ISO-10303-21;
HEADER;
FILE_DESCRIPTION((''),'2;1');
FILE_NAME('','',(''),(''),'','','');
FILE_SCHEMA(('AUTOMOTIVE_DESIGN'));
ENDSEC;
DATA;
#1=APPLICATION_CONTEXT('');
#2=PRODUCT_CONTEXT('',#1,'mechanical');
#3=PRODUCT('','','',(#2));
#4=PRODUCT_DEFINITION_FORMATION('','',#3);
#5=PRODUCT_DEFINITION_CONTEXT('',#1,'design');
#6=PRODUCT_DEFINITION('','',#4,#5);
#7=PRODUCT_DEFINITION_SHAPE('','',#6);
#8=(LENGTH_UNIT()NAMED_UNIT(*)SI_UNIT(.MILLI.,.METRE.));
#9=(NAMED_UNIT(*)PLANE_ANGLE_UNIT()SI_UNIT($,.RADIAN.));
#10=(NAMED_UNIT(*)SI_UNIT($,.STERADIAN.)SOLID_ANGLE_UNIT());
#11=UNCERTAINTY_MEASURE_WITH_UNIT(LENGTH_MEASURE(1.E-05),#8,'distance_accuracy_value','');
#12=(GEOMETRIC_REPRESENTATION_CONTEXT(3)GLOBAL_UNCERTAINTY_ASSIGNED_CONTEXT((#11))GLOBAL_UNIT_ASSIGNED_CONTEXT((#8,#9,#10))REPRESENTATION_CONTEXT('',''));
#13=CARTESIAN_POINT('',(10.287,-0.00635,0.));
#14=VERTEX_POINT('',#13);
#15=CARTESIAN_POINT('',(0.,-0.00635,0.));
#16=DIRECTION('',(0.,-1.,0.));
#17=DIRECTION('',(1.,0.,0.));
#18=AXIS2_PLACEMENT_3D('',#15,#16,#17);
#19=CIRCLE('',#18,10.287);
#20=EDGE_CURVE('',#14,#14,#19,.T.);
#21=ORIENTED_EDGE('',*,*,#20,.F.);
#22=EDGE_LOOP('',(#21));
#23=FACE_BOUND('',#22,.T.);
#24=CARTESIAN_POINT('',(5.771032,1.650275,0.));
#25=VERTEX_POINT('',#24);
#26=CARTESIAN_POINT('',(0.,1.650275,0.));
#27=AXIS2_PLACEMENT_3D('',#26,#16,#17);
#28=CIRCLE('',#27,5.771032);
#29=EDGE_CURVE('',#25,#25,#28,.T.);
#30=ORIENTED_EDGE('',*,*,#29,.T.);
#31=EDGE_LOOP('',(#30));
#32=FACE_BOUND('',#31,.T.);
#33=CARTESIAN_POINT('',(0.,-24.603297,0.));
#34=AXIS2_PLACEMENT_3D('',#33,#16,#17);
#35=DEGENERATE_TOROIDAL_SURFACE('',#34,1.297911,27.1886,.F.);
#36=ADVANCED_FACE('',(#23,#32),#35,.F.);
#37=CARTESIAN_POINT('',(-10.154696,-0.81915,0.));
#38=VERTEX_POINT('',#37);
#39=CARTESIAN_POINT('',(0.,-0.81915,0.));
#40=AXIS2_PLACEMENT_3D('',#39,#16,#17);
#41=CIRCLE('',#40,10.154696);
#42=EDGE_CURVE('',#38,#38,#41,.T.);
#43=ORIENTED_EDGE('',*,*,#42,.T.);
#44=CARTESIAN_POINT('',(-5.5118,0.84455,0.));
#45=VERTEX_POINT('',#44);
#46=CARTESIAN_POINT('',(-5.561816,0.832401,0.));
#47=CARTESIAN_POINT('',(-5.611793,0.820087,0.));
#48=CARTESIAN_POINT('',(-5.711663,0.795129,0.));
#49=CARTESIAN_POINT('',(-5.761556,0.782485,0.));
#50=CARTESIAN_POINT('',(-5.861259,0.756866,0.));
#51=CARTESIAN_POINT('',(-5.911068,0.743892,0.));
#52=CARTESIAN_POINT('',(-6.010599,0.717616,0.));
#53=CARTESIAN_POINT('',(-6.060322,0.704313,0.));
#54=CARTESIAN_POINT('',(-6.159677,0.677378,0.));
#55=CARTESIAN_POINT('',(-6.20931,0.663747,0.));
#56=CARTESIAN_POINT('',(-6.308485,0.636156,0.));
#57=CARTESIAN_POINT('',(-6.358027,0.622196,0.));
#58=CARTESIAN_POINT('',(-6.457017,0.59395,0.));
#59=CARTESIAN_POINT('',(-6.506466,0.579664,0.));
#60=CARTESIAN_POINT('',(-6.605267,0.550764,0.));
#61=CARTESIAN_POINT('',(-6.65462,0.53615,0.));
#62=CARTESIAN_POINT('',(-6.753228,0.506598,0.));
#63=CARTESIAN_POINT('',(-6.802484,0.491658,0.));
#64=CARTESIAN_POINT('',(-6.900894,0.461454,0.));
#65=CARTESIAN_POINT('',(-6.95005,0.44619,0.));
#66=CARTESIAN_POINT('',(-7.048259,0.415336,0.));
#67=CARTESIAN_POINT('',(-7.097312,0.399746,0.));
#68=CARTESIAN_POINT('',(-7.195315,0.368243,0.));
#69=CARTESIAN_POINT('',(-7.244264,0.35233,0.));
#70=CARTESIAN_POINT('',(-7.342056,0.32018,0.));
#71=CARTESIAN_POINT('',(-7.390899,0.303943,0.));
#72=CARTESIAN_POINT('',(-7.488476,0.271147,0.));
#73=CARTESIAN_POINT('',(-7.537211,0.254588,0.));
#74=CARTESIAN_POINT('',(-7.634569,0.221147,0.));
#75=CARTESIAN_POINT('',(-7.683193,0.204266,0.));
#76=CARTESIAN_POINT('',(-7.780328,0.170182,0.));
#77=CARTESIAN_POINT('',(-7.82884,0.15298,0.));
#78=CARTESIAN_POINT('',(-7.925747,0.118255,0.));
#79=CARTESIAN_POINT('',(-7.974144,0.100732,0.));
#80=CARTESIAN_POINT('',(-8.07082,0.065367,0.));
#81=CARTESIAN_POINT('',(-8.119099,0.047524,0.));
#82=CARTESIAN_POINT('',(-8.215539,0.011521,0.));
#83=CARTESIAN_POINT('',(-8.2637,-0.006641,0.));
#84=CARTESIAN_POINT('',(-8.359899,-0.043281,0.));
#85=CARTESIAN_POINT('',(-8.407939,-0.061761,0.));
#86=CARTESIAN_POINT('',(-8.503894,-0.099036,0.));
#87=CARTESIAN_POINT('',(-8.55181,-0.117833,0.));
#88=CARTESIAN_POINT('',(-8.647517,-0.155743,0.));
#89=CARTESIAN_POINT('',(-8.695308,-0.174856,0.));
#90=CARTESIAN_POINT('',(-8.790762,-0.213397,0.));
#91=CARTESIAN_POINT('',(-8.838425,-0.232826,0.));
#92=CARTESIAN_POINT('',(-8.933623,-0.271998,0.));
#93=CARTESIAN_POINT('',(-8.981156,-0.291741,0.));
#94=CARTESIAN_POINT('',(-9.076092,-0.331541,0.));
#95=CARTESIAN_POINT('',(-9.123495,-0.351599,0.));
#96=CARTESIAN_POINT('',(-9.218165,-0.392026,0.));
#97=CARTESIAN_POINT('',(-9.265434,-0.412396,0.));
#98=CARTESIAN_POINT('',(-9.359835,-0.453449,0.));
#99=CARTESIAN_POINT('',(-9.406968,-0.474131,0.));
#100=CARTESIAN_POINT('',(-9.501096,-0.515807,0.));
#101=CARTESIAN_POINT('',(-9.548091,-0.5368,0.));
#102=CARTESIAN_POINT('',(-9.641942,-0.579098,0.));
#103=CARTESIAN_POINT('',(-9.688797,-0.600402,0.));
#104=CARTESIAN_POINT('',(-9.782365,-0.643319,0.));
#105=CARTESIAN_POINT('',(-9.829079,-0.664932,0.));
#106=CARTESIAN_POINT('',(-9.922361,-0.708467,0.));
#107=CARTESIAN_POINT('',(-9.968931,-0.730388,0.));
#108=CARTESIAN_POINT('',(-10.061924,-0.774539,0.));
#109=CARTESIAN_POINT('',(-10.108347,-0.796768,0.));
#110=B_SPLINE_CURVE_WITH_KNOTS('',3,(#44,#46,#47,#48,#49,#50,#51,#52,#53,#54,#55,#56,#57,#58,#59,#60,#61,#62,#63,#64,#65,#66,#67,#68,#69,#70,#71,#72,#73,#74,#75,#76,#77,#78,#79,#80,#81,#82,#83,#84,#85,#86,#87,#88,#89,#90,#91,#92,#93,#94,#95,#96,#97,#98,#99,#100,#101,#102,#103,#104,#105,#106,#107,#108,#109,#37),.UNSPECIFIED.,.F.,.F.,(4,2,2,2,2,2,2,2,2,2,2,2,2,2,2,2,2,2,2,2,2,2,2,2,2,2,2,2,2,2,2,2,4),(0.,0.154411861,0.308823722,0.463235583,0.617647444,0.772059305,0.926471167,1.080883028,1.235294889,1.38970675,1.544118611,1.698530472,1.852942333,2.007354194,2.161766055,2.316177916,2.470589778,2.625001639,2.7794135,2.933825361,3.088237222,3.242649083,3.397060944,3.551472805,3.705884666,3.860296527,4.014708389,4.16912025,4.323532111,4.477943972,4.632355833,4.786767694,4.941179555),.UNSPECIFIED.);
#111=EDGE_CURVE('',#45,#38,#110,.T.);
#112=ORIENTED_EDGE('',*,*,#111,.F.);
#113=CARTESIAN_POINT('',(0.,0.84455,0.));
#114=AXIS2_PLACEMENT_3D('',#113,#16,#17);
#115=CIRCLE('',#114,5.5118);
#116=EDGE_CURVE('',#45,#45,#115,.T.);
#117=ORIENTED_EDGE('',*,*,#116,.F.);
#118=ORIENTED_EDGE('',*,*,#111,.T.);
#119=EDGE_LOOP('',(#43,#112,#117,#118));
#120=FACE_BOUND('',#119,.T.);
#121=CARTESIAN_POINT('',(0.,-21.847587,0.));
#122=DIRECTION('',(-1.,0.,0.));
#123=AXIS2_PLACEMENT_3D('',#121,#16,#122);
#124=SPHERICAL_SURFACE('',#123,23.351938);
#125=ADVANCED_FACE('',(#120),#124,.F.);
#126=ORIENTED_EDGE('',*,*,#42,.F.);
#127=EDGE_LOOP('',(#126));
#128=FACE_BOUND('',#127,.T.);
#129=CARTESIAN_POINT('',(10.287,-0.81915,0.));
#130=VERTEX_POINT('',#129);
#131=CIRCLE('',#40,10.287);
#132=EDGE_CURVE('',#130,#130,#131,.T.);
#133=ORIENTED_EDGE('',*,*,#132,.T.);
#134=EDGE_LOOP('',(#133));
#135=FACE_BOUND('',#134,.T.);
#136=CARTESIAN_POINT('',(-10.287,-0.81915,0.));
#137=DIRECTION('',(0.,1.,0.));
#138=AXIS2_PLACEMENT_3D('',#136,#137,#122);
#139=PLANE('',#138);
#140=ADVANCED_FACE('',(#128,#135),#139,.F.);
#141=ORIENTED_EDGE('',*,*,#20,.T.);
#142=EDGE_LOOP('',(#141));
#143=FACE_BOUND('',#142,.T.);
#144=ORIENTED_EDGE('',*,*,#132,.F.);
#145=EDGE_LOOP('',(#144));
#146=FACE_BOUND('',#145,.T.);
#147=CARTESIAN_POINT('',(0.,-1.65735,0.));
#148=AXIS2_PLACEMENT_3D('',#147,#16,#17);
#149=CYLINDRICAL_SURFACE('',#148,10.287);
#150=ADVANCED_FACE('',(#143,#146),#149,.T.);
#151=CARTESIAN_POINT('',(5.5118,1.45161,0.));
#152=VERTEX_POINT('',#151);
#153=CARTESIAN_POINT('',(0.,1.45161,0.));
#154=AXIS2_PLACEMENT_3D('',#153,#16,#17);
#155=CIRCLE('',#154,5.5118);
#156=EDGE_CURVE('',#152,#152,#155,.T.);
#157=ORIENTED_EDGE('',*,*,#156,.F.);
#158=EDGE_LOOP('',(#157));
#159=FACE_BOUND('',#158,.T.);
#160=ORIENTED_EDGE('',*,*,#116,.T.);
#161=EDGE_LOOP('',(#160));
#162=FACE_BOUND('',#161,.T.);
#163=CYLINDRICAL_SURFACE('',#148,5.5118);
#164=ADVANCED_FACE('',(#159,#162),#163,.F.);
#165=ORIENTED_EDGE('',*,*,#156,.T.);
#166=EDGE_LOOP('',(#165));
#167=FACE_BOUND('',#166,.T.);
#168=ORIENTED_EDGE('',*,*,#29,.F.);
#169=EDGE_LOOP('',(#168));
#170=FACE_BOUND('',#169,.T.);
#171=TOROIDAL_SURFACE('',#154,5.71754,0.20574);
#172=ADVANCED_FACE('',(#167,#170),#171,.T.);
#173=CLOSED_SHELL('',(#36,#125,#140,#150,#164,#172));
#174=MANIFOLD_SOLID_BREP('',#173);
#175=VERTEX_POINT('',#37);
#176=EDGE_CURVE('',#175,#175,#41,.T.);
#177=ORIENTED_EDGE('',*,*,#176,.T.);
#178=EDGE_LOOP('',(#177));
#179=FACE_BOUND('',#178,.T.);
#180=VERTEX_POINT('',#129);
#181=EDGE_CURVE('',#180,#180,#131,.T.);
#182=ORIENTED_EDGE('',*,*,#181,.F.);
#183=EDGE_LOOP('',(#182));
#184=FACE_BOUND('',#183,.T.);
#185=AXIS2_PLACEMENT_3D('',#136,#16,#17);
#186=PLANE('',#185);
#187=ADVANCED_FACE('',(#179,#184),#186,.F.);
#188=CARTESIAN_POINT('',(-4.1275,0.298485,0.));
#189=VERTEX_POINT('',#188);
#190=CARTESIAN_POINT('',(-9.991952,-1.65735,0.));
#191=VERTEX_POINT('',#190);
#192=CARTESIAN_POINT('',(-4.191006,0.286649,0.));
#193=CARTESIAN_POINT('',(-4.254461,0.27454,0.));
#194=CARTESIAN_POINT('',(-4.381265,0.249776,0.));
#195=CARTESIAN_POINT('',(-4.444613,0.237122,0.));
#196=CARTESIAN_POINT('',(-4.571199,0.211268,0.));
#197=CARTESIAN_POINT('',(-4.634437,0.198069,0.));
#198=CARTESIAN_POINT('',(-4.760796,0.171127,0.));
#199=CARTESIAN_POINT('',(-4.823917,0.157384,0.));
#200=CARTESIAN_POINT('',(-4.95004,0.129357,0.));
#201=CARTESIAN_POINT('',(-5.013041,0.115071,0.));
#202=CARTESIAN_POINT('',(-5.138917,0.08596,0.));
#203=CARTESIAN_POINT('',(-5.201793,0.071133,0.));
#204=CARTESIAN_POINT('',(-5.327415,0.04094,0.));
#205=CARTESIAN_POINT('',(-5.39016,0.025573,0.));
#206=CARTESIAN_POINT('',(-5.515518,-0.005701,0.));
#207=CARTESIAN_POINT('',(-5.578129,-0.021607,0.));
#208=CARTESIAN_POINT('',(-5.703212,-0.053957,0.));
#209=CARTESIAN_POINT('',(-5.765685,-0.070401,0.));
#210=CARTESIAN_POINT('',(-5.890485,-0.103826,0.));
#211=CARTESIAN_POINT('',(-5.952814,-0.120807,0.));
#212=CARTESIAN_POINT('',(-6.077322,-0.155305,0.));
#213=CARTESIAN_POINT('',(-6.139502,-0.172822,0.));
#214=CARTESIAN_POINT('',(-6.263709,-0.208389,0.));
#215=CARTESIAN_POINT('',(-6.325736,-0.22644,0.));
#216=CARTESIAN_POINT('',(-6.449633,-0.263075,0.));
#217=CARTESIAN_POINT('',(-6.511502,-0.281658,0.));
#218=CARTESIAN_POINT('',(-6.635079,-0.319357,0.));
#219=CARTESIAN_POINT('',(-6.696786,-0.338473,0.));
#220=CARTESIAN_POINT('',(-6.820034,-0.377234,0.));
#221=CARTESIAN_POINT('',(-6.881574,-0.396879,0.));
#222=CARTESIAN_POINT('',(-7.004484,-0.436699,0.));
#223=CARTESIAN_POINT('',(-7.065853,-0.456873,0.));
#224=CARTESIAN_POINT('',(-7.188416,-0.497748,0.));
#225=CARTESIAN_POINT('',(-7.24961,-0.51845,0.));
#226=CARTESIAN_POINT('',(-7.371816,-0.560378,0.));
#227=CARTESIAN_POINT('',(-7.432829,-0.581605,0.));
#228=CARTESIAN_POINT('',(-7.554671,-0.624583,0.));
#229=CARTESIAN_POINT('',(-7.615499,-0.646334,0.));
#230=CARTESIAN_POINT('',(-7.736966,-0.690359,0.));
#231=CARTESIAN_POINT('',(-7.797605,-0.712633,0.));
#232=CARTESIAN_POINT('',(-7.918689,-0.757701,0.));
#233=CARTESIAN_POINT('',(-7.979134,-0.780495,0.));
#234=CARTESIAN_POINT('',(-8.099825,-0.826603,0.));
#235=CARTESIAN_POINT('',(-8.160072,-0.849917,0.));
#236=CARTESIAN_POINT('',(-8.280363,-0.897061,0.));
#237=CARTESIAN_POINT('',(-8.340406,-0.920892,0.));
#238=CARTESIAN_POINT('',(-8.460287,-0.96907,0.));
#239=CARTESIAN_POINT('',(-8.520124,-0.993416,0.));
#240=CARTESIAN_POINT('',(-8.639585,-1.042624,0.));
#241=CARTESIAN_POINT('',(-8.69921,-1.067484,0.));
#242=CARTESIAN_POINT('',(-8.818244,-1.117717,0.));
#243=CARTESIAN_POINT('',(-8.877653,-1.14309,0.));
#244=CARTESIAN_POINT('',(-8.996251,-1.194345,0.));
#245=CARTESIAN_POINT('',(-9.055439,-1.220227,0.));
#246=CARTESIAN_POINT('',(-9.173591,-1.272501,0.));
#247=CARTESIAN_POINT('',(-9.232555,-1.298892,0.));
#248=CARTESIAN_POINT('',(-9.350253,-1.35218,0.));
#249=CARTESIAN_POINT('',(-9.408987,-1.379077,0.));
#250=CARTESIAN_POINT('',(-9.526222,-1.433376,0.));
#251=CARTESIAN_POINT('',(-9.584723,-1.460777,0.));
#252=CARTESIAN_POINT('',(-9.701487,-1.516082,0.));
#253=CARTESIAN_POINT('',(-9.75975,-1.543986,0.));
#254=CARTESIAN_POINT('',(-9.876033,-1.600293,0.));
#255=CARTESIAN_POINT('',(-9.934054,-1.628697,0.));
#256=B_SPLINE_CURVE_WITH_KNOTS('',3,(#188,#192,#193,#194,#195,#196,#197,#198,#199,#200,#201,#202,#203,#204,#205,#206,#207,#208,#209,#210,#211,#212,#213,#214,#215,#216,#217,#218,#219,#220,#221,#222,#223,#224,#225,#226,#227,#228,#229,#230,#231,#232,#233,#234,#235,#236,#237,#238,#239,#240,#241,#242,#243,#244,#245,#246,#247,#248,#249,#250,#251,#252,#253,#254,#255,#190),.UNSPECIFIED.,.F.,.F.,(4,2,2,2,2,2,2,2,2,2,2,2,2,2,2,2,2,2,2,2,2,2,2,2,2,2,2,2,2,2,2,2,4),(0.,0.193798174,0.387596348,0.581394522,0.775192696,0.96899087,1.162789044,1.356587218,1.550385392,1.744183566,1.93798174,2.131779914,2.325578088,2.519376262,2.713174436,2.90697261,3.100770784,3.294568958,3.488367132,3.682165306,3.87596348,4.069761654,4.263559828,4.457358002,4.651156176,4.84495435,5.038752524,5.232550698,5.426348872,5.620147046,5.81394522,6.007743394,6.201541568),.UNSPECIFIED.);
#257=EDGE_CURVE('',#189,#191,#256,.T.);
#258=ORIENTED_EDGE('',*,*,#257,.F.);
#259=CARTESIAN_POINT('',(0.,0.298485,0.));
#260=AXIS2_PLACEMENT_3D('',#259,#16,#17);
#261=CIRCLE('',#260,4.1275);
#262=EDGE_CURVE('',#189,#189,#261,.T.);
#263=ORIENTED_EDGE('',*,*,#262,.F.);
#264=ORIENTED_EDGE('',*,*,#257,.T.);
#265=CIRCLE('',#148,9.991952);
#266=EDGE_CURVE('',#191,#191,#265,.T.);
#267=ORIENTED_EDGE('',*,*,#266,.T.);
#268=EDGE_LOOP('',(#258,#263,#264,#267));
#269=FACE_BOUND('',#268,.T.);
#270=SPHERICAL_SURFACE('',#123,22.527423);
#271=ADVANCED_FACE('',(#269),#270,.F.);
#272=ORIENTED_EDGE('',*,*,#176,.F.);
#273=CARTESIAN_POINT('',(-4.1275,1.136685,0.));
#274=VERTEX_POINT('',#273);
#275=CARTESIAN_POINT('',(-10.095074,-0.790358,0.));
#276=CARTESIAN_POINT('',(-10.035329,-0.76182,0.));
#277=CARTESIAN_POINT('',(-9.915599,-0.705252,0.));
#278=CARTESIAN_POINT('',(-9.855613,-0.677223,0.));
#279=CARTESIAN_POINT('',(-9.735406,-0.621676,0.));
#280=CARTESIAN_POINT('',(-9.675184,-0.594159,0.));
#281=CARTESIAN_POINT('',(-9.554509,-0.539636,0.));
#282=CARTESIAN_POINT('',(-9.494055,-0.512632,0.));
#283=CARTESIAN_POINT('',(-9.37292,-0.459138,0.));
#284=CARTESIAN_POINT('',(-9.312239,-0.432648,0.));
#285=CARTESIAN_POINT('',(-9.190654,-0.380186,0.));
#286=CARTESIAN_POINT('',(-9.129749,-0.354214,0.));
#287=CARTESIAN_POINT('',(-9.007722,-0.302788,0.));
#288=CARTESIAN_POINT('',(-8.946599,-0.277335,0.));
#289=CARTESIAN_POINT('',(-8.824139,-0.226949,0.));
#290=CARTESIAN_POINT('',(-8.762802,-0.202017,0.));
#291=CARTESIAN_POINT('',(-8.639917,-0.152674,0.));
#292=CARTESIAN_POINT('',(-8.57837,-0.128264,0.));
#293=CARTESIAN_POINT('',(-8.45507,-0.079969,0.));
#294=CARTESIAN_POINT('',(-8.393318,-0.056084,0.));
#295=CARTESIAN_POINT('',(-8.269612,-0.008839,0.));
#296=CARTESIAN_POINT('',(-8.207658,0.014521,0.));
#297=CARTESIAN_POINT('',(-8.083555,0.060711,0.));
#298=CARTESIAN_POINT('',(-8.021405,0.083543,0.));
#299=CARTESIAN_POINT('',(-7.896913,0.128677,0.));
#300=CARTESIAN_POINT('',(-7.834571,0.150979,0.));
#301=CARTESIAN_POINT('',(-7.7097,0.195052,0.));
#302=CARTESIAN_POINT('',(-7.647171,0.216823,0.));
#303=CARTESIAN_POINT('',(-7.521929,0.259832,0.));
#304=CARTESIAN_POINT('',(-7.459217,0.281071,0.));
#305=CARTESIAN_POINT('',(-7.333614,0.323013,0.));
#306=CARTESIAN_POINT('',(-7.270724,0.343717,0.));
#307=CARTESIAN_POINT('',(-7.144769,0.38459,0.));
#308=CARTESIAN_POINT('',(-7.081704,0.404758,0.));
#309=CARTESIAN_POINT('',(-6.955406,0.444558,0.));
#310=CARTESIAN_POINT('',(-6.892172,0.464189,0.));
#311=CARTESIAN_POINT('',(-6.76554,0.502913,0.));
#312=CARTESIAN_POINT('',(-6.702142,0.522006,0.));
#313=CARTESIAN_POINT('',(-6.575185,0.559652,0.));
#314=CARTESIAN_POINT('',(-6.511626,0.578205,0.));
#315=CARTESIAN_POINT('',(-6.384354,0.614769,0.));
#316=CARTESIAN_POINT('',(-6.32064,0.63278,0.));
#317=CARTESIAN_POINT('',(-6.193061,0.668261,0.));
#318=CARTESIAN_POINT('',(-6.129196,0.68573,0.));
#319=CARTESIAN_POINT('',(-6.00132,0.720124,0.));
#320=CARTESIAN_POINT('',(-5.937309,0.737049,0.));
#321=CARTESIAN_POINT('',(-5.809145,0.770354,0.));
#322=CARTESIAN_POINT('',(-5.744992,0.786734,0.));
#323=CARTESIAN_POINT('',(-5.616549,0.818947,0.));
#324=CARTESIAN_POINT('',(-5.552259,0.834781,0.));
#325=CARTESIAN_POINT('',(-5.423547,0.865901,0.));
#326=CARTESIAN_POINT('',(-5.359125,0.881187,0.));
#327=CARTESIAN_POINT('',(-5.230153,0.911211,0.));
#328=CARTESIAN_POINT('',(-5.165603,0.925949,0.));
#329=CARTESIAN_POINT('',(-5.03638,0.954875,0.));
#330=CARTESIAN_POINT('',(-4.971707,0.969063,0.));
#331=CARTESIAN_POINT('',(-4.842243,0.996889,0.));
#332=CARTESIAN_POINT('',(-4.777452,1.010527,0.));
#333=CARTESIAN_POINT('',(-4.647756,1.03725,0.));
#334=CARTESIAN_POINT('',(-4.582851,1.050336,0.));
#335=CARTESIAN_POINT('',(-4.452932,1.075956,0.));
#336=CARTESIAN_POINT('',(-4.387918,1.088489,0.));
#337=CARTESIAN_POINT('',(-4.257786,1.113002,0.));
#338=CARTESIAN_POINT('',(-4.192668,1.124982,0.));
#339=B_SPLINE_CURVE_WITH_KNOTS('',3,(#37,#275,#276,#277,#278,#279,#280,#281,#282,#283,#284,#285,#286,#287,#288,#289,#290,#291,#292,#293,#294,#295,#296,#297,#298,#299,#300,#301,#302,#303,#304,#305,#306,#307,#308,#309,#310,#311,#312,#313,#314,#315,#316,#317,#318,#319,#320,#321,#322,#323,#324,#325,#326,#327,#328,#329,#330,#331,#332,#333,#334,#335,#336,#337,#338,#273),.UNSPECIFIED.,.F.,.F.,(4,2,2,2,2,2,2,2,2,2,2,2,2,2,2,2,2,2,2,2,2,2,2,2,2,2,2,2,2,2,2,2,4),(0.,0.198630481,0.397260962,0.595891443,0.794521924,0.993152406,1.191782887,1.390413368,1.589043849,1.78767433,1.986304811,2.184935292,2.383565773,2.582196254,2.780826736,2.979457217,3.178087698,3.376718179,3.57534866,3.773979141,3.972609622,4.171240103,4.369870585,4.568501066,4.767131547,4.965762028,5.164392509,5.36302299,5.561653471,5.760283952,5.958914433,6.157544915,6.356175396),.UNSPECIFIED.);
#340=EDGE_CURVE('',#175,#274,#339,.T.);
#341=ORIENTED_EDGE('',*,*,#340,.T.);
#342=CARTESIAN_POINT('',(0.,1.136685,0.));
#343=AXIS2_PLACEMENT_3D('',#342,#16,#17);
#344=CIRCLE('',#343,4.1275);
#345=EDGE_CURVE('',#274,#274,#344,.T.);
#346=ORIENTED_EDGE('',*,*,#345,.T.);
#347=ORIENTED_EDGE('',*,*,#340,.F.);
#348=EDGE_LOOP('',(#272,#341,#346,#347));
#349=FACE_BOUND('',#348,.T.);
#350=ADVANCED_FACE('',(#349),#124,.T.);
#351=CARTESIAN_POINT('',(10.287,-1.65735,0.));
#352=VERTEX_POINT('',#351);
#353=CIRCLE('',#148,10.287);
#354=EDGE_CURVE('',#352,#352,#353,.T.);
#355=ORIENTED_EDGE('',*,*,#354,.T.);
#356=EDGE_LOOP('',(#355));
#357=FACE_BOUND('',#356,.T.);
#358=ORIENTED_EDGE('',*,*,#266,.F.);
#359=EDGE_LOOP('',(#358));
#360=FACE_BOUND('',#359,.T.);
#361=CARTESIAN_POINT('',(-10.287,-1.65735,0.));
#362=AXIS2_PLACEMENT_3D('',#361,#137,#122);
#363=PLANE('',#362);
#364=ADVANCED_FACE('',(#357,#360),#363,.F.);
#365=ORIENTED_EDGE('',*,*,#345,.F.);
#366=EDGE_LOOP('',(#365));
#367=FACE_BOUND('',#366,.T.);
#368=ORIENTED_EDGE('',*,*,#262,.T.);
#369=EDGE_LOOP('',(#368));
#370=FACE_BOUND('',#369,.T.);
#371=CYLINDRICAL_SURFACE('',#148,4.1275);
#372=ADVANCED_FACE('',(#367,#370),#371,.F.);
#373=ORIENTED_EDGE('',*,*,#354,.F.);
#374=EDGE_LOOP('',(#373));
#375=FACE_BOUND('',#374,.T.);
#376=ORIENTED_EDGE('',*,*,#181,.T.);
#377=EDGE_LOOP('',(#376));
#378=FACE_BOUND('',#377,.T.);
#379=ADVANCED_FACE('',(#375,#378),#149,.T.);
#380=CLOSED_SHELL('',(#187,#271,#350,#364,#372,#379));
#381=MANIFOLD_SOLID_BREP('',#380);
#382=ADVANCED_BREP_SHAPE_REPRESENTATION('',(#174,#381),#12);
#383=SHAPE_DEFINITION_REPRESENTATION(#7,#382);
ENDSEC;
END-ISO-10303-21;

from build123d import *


with BuildPart() as part:
    # Sketch6 → Revolve3 (revolve)
    with BuildSketch(Plane.XY, mode=Mode.PRIVATE) as revolve3_sk:
        with BuildLine():
            Line((-10.287, -0.00635), (-10.287, -0.81915))
            Line((-10.287, -0.81915), (-10.154696366, -0.81915))
            ThreePointArc((-10.154696366, -0.81915), (-7.877293413, 0.135617256), (-5.5118, 0.84455))
            Line((-5.5118, 0.84455), (-5.5118, 1.45161))
            ThreePointArc((-5.5118, 1.45161), (-5.592392955, 1.614910841), (-5.771031697, 1.650274506))
            ThreePointArc((-5.771031697, 1.650274506), (-8.065724276, 0.922029647), (-10.287, -0.00635))
        make_face()
    revolve(revolve3_sk.sketch.rotate(Axis((0, -1.65735, 0), (0, 1, 0)), 180), axis=Axis((0, -1.65735, 0), (0, 1, 0)))


with BuildPart() as body_2:
    # Sketch7 → Revolve4 (revolve)
    with BuildSketch(Plane.XY):
        with BuildLine():
            Line((-10.287, -0.81915), (-10.287, -1.65735))
            Line((-10.287, -1.65735), (-9.991951576, -1.65735))
            ThreePointArc((-9.991951576, -1.65735), (-7.127134835, -0.477310553), (-4.1275, 0.298485114))
            Line((-4.1275, 0.298485114), (-4.1275, 1.136685114))
            ThreePointArc((-4.1275, 1.136685114), (-7.20774625, 0.364153474), (-10.154696366, -0.81915))
            Line((-10.154696366, -0.81915), (-10.287, -0.81915))
        make_face()
    revolve(axis=Axis((0, -1.65735, 0), (0, 1, 0)))


solid = Compound([part.part, body_2.part])
